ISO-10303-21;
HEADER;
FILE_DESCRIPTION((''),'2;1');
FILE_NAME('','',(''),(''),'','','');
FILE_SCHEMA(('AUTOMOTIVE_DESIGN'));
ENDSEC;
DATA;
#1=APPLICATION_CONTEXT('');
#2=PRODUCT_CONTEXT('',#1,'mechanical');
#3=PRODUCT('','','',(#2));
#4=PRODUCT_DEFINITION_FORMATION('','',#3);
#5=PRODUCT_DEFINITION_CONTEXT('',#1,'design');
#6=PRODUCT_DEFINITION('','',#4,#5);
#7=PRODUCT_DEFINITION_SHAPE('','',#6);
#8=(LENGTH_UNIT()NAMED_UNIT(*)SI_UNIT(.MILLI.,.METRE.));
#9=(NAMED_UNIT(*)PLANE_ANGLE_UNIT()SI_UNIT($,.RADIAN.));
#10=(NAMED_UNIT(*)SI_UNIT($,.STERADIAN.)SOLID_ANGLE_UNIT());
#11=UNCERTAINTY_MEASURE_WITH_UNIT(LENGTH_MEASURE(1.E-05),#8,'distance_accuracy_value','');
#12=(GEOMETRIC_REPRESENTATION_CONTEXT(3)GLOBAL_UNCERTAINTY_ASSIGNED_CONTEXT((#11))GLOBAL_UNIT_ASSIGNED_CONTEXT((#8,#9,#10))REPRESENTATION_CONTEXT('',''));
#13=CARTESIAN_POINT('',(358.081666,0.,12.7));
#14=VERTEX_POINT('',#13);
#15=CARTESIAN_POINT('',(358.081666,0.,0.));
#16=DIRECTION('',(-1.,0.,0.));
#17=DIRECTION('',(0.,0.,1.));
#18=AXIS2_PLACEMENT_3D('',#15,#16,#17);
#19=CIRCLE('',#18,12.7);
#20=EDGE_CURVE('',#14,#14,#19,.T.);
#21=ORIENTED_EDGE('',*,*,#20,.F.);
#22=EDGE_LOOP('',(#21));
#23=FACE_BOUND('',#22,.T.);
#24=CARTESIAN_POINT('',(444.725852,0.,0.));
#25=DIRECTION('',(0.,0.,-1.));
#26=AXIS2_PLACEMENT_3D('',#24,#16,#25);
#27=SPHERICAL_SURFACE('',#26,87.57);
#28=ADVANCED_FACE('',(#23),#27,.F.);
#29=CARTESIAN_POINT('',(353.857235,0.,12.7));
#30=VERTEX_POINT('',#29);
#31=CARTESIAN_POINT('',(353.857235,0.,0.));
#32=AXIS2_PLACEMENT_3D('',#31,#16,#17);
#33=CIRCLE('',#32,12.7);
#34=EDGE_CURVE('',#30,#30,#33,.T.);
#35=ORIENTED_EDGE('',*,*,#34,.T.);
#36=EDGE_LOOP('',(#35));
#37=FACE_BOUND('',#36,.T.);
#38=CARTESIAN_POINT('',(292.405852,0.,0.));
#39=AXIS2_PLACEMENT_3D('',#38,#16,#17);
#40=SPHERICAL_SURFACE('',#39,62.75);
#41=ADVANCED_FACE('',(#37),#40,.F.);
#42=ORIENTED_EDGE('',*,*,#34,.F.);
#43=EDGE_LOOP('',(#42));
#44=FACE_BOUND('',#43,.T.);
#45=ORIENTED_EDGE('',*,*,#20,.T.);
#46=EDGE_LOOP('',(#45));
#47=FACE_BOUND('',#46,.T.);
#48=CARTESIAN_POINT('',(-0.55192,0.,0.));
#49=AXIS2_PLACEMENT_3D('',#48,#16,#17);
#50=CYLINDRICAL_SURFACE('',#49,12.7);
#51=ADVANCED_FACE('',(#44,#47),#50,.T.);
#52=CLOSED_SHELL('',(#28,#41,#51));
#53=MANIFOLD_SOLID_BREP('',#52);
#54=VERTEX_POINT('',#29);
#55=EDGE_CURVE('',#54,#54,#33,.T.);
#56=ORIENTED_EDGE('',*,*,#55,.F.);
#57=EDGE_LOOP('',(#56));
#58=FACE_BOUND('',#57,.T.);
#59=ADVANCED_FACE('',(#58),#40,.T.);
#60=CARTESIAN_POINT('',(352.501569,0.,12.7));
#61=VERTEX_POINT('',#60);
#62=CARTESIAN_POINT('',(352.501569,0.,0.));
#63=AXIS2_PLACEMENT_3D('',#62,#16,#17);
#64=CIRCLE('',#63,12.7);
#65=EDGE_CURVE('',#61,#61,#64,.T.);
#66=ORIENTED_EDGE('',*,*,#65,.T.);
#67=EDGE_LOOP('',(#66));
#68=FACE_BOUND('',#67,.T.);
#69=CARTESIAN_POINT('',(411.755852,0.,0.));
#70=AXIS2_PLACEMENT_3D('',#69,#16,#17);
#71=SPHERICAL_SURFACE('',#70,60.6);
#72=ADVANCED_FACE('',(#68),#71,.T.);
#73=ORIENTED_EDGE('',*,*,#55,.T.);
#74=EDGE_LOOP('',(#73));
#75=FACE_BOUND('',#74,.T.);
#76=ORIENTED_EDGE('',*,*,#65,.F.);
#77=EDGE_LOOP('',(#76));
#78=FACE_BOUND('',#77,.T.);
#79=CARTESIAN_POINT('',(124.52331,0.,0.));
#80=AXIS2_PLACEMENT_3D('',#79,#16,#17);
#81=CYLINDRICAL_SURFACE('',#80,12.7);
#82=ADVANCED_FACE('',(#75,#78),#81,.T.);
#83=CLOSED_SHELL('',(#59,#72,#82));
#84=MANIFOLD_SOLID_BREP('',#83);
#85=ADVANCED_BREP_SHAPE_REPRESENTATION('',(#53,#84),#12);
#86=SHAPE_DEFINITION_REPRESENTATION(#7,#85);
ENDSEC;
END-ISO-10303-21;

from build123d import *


with BuildPart() as part:
    # 草图1 one side → 旋转1 (revolve)
    with BuildSketch(Plane(origin=(0, 0, 0), x_dir=(1, 0, 0), z_dir=(0, 1, 0)), mode=Mode.PRIVATE) as revolve_1_sk:
        with BuildLine():
            ThreePointArc((352.501569273, 12.7), (351.49322027, 6.385549222), (351.155851818, 0))
            Line((351.155851818, 0), (355.155851818, 0))
            ThreePointArc((355.155851818, 0), (354.830353407, 6.383110635), (353.857235041, 12.7))
            Line((353.857235041, 12.7), (352.501569273, 12.7))
        make_face()
    revolve(revolve_1_sk.sketch.rotate(Axis((124.523309526, 0, 0), (1, 0, 0)), 180), axis=Axis((124.523309526, 0, 0), (1, 0, 0)))  # turned: the seam where the file's is


with BuildPart() as body_2:
    # 草图2 one side → 旋转3 (revolve)
    with BuildSketch(Plane(origin=(0, 0, 0), x_dir=(1, 0, 0), z_dir=(0, 1, 0)), mode=Mode.PRIVATE) as revolve_3_sk:
        with BuildLine():
            Line((358.081666208, 12.7), (353.857235041, 12.7))
            ThreePointArc((353.857235041, 12.7), (354.830353407, 6.383110635), (355.155851818, 0))
            Line((355.155851818, 0), (357.155851818, 0))
            ThreePointArc((357.155851818, 0), (357.387612101, 6.366850326), (358.081666208, 12.7))
        make_face()
    revolve(revolve_3_sk.sketch.rotate(Axis((-0.551919993, 0, 0), (1, 0, 0)), 180), axis=Axis((-0.551919993, 0, 0), (1, 0, 0)))  # turned: the seam where the file's is


solid = Compound([part.part, body_2.part])
